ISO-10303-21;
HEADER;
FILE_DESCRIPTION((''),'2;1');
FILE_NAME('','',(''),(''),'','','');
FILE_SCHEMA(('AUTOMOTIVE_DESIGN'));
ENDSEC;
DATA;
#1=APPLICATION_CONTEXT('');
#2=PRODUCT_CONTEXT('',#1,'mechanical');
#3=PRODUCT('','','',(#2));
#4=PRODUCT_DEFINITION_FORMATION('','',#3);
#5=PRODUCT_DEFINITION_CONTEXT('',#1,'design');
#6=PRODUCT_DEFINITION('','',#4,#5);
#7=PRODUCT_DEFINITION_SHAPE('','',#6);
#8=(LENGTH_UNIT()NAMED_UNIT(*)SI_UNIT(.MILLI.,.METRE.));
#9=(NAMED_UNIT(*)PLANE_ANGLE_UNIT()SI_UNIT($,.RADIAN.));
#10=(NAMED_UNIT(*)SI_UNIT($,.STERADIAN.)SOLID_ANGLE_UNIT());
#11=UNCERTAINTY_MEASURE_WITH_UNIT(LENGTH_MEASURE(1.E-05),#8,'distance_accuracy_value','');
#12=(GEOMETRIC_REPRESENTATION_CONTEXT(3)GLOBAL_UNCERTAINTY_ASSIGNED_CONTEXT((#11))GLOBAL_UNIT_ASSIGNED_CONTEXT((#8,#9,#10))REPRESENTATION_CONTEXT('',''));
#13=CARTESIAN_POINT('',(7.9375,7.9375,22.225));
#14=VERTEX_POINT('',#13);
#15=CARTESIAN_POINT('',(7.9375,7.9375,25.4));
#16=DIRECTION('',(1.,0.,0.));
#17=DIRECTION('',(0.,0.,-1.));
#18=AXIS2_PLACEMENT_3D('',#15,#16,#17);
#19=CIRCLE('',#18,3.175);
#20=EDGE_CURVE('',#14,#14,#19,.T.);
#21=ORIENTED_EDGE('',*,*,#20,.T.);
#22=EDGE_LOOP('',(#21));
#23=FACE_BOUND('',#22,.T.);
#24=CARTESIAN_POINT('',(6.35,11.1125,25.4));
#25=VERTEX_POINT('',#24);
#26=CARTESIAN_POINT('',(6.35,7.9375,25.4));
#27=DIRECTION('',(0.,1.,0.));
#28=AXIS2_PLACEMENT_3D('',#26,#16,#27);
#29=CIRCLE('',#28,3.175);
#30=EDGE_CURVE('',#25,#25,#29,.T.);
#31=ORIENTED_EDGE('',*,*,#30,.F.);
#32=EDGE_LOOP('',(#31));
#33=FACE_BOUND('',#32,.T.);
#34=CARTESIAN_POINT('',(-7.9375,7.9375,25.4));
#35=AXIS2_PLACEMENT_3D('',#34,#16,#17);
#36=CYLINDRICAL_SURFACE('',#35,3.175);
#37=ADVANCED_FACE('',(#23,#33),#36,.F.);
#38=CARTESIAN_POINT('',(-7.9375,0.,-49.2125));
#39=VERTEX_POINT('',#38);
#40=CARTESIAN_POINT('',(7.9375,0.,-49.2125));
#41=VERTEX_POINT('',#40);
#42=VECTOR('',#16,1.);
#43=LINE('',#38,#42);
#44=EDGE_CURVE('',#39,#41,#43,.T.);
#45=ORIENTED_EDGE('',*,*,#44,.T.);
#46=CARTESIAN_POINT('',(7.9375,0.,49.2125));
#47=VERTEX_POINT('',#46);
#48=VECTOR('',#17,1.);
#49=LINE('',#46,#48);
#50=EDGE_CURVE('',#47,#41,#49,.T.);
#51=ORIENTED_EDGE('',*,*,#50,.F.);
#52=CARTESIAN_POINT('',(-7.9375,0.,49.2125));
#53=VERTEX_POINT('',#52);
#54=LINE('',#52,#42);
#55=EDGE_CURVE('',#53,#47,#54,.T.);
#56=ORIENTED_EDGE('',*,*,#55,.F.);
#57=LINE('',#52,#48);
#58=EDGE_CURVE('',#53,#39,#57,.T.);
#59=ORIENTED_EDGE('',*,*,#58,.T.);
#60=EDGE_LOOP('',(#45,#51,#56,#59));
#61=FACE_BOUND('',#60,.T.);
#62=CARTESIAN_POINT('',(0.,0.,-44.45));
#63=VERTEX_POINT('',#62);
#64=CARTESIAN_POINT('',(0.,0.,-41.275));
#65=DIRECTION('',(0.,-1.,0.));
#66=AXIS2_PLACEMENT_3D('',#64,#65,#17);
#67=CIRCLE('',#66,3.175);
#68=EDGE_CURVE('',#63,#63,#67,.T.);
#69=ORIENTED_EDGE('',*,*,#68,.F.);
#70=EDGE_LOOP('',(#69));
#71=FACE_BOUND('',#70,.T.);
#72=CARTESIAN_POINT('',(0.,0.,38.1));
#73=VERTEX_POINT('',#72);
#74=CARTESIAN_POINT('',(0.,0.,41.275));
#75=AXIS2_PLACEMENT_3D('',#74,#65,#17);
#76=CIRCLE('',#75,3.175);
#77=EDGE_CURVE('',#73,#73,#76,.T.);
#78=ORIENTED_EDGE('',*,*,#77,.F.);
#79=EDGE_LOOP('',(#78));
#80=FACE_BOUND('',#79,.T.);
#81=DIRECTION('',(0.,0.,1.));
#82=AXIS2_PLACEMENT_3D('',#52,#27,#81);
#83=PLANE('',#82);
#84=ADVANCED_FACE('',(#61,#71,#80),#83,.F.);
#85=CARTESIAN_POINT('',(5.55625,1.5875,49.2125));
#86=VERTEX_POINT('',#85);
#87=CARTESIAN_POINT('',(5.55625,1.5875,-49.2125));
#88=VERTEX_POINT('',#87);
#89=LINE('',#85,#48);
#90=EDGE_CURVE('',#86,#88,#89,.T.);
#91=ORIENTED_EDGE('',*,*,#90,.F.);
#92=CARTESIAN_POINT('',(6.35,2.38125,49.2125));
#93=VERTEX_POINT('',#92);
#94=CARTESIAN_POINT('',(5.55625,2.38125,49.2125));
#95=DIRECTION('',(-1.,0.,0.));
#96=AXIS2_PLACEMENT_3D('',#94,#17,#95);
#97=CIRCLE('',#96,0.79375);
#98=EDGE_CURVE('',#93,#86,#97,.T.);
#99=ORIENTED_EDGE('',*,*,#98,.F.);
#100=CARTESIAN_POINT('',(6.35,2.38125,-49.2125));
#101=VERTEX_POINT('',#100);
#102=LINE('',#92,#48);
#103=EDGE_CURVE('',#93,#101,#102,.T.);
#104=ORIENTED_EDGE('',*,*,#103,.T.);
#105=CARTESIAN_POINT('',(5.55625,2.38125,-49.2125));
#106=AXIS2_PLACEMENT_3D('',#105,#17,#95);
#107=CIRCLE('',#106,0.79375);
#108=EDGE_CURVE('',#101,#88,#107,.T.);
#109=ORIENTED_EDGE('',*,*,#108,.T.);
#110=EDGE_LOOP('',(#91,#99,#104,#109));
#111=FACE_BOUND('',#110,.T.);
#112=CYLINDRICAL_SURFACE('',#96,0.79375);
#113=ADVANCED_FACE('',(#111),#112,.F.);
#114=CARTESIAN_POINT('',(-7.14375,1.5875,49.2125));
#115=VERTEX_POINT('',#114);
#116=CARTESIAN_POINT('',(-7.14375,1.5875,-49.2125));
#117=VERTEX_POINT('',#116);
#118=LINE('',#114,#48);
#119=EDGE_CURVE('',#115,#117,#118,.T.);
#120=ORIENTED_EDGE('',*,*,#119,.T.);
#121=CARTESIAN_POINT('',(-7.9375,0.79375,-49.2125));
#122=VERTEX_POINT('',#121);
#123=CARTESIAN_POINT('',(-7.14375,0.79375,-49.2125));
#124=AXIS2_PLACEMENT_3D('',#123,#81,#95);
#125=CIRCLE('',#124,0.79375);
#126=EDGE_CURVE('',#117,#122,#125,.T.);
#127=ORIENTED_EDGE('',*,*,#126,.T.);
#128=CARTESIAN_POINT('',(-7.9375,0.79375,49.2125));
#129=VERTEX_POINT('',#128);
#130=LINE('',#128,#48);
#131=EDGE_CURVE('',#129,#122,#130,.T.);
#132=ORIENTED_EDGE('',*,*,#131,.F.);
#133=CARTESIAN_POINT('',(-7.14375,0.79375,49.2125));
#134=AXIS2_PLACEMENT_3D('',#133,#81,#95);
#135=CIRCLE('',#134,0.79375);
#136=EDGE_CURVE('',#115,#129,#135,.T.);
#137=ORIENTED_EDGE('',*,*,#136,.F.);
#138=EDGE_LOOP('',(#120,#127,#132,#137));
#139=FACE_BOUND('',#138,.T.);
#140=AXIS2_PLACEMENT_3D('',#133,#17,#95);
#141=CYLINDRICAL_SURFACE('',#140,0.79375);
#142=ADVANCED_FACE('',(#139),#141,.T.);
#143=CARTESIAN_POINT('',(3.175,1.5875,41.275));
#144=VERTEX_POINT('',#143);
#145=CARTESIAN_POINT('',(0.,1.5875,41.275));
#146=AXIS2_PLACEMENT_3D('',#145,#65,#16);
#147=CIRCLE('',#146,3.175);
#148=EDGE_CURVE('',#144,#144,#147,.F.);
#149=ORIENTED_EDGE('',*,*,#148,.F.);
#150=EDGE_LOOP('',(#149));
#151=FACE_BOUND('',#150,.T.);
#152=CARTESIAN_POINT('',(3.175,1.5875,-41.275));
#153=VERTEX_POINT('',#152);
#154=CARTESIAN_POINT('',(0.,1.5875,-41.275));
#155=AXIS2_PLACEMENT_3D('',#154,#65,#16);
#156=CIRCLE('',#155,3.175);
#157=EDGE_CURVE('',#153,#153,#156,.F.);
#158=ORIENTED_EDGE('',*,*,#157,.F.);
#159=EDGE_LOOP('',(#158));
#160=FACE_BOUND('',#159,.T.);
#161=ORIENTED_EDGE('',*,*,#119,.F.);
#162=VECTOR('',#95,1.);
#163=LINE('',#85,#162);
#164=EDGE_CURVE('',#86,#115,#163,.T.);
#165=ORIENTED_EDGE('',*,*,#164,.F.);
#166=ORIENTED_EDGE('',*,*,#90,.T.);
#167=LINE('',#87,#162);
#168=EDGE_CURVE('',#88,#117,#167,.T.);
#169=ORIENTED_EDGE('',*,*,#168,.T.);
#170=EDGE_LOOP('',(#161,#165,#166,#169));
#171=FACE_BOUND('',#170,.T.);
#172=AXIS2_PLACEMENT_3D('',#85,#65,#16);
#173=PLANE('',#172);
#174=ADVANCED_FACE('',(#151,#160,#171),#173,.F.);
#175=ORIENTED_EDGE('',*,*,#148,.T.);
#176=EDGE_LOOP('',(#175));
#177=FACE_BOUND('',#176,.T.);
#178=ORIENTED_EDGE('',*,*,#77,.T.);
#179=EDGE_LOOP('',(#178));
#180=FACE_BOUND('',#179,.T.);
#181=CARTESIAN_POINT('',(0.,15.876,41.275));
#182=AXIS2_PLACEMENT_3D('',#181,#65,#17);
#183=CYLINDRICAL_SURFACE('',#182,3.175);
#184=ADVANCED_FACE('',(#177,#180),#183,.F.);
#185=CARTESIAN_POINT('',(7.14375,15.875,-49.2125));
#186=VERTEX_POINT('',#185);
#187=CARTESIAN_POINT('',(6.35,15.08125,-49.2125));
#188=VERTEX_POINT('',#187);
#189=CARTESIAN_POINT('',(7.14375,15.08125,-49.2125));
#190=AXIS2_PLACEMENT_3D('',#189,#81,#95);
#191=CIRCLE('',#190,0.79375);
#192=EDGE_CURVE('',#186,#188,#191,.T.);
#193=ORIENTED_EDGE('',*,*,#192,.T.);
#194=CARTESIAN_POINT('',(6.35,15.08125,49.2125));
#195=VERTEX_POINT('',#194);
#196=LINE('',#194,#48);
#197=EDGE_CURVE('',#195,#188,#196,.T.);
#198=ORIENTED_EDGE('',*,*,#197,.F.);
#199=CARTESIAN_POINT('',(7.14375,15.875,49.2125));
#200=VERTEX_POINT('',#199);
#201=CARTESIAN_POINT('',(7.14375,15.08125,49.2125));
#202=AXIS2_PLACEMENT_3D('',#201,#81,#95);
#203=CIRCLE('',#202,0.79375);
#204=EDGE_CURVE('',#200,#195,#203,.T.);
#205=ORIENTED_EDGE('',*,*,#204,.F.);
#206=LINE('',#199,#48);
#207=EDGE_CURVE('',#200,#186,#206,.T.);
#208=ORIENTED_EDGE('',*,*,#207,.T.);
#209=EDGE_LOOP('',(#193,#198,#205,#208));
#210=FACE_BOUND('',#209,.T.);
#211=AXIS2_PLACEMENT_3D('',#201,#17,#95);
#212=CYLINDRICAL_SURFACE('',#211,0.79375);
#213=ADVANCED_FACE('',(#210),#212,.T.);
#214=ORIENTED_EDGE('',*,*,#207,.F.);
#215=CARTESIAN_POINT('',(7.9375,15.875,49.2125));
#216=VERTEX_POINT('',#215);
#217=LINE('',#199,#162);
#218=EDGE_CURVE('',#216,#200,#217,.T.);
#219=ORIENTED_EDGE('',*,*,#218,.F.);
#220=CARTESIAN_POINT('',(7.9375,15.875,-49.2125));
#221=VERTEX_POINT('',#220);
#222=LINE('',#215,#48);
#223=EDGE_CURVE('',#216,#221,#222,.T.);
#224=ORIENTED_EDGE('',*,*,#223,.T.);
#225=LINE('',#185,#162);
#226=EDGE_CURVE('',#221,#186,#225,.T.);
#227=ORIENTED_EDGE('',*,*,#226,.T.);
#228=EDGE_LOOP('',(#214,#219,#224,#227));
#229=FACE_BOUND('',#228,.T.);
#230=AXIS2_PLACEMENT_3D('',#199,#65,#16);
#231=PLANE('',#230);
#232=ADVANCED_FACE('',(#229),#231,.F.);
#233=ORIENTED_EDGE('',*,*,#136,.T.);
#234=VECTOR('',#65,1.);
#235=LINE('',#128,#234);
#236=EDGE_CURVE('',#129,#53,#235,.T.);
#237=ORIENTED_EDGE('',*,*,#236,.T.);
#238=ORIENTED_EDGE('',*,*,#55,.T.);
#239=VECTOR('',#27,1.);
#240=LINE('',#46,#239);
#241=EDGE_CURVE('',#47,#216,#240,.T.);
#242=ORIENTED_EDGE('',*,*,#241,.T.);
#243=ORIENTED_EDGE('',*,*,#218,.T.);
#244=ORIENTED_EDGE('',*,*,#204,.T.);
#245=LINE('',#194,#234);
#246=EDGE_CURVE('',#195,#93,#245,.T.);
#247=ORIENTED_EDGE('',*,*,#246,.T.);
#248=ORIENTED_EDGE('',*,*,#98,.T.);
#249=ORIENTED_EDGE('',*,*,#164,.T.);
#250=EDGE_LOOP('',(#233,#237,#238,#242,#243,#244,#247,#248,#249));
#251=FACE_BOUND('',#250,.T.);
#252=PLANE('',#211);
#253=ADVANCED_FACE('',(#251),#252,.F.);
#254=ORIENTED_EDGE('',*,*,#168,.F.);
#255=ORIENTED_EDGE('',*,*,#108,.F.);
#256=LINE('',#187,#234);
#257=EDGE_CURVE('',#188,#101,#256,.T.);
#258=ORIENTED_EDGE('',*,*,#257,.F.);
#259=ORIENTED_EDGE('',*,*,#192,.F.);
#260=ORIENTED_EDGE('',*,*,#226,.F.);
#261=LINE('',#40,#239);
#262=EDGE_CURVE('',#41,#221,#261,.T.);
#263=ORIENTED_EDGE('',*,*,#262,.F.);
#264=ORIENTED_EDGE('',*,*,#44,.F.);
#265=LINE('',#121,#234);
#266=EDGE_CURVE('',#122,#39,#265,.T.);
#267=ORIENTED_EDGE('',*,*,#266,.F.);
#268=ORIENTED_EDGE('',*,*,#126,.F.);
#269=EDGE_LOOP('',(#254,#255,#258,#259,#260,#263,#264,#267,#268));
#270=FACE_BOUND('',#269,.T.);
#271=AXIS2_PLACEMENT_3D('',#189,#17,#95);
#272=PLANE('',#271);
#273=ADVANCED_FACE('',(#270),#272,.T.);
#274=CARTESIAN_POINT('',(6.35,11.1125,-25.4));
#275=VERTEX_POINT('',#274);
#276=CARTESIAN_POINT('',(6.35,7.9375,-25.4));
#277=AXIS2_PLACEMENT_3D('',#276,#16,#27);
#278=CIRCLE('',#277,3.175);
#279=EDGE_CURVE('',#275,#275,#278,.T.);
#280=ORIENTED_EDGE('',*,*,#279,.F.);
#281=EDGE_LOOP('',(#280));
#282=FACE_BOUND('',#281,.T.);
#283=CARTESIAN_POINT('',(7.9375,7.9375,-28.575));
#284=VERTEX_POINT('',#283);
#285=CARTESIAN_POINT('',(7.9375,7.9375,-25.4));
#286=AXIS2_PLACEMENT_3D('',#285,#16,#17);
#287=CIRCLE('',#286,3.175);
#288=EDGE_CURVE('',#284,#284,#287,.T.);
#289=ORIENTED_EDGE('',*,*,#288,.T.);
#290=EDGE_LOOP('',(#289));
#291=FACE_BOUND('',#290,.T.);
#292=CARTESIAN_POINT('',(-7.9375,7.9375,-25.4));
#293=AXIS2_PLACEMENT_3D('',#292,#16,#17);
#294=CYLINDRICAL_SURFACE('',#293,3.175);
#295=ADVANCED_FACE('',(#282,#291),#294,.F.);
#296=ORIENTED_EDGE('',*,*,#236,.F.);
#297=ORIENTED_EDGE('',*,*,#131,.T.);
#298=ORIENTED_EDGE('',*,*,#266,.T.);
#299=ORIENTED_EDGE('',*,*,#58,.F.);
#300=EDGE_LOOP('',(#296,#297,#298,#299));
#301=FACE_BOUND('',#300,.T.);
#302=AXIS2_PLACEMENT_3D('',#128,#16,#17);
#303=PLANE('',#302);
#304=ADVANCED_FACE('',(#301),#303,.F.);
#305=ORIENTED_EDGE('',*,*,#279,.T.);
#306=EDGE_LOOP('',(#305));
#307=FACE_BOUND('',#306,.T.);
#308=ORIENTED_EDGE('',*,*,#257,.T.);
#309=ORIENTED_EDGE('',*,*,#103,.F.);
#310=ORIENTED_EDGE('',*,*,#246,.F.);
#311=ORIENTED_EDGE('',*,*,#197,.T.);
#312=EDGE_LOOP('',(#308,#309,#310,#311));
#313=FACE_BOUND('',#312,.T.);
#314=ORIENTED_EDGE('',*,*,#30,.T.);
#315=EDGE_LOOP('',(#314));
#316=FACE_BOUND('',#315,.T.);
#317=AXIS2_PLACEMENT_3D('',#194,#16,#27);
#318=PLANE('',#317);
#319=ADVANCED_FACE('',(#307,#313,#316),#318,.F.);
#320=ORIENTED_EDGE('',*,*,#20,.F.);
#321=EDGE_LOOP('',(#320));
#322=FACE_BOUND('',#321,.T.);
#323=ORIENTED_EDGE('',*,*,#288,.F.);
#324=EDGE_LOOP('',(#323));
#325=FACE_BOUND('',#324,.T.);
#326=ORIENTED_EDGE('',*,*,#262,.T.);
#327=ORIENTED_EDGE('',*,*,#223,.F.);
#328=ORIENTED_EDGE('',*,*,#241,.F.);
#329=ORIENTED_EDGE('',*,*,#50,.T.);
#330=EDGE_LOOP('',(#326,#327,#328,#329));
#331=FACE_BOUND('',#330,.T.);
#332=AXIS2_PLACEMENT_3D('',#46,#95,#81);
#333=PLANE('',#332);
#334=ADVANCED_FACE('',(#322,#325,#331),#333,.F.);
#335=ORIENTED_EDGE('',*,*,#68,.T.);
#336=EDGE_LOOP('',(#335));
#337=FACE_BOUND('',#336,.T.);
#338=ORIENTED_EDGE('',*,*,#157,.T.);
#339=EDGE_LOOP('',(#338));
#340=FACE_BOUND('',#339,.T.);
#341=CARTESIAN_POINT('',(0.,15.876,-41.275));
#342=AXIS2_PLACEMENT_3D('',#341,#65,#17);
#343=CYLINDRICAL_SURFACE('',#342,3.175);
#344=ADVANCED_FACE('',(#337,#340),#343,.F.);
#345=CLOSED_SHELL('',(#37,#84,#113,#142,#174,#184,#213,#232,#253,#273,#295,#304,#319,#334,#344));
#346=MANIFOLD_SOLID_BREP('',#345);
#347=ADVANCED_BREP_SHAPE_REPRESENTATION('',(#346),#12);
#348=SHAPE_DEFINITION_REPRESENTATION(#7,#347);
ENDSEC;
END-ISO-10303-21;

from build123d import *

# Parameters (mm, degrees)
BOSS_EXTRUDE1_DEPTH = 49.2125
SKETCH3_R           = 3.175
CUT_EXTRUDE1_DEPTH  = 16.875
CUT_EXTRUDE2_REACH  = 17.875
SKETCH4_R           = 3.175


with BuildPart() as part:
    # Sketch2 → Boss-Extrude1 (new body, symmetric)
    with BuildSketch(Plane.XY):
        with BuildLine():
            Line((-7.9375, 0), (7.9375, 0))
            Line((7.9375, 0), (7.9375, 15.875))
            Line((7.9375, 15.875), (7.14375, 15.875))
            ThreePointArc((7.14375, 15.875), (6.582483992, 15.642516008), (6.35, 15.08125))
            Line((6.35, 15.08125), (6.35, 2.38125))
            ThreePointArc((6.35, 2.38125), (6.117516008, 1.819983992), (5.55625, 1.5875))
            Line((5.55625, 1.5875), (-7.14375, 1.5875))
            ThreePointArc((-7.14375, 1.5875), (-7.705016008, 1.355016008), (-7.9375, 0.79375))
            Line((-7.9375, 0.79375), (-7.9375, 0))
        make_face()
    extrude(amount=BOSS_EXTRUDE1_DEPTH, both=True)

    # Sketch3 → Cut-Extrude1 (cut, through all)
    with BuildSketch(Plane(origin=(7.9375, 0, 0), x_dir=(0, 0, -1), z_dir=(1, 0, 0))):
        with Locations((-25.4, 7.9375)):
            Circle(SKETCH3_R)
        with Locations((25.4, 7.9375)):
            Circle(SKETCH3_R)
    extrude(amount=-CUT_EXTRUDE1_DEPTH, mode=Mode.SUBTRACT)

    # Sketch4 → Cut-Extrude2 (cut, up to next)
    with BuildSketch(Plane.XZ, mode=Mode.PRIVATE) as cut_extrude2_sk1:
        with Locations((0, -41.275)):
            Circle(SKETCH4_R)
    cut_extrude2_tool1 = extrude(cut_extrude2_sk1.sketch, amount=-CUT_EXTRUDE2_REACH, mode=Mode.PRIVATE) & part.part
    add(cut_extrude2_tool1.solids().sort_by_distance((0, 0, -41.275))[0], mode=Mode.SUBTRACT)
    # Sketch4 → Cut-Extrude2 (cut, up to next)
    with BuildSketch(Plane.XZ, mode=Mode.PRIVATE) as cut_extrude2_sk2:
        with Locations((0, 41.275)):
            Circle(SKETCH4_R)
    cut_extrude2_tool2 = extrude(cut_extrude2_sk2.sketch, amount=-CUT_EXTRUDE2_REACH, mode=Mode.PRIVATE) & part.part
    add(cut_extrude2_tool2.solids().sort_by_distance((0, 0, 41.275))[0], mode=Mode.SUBTRACT)


solid = part.part
